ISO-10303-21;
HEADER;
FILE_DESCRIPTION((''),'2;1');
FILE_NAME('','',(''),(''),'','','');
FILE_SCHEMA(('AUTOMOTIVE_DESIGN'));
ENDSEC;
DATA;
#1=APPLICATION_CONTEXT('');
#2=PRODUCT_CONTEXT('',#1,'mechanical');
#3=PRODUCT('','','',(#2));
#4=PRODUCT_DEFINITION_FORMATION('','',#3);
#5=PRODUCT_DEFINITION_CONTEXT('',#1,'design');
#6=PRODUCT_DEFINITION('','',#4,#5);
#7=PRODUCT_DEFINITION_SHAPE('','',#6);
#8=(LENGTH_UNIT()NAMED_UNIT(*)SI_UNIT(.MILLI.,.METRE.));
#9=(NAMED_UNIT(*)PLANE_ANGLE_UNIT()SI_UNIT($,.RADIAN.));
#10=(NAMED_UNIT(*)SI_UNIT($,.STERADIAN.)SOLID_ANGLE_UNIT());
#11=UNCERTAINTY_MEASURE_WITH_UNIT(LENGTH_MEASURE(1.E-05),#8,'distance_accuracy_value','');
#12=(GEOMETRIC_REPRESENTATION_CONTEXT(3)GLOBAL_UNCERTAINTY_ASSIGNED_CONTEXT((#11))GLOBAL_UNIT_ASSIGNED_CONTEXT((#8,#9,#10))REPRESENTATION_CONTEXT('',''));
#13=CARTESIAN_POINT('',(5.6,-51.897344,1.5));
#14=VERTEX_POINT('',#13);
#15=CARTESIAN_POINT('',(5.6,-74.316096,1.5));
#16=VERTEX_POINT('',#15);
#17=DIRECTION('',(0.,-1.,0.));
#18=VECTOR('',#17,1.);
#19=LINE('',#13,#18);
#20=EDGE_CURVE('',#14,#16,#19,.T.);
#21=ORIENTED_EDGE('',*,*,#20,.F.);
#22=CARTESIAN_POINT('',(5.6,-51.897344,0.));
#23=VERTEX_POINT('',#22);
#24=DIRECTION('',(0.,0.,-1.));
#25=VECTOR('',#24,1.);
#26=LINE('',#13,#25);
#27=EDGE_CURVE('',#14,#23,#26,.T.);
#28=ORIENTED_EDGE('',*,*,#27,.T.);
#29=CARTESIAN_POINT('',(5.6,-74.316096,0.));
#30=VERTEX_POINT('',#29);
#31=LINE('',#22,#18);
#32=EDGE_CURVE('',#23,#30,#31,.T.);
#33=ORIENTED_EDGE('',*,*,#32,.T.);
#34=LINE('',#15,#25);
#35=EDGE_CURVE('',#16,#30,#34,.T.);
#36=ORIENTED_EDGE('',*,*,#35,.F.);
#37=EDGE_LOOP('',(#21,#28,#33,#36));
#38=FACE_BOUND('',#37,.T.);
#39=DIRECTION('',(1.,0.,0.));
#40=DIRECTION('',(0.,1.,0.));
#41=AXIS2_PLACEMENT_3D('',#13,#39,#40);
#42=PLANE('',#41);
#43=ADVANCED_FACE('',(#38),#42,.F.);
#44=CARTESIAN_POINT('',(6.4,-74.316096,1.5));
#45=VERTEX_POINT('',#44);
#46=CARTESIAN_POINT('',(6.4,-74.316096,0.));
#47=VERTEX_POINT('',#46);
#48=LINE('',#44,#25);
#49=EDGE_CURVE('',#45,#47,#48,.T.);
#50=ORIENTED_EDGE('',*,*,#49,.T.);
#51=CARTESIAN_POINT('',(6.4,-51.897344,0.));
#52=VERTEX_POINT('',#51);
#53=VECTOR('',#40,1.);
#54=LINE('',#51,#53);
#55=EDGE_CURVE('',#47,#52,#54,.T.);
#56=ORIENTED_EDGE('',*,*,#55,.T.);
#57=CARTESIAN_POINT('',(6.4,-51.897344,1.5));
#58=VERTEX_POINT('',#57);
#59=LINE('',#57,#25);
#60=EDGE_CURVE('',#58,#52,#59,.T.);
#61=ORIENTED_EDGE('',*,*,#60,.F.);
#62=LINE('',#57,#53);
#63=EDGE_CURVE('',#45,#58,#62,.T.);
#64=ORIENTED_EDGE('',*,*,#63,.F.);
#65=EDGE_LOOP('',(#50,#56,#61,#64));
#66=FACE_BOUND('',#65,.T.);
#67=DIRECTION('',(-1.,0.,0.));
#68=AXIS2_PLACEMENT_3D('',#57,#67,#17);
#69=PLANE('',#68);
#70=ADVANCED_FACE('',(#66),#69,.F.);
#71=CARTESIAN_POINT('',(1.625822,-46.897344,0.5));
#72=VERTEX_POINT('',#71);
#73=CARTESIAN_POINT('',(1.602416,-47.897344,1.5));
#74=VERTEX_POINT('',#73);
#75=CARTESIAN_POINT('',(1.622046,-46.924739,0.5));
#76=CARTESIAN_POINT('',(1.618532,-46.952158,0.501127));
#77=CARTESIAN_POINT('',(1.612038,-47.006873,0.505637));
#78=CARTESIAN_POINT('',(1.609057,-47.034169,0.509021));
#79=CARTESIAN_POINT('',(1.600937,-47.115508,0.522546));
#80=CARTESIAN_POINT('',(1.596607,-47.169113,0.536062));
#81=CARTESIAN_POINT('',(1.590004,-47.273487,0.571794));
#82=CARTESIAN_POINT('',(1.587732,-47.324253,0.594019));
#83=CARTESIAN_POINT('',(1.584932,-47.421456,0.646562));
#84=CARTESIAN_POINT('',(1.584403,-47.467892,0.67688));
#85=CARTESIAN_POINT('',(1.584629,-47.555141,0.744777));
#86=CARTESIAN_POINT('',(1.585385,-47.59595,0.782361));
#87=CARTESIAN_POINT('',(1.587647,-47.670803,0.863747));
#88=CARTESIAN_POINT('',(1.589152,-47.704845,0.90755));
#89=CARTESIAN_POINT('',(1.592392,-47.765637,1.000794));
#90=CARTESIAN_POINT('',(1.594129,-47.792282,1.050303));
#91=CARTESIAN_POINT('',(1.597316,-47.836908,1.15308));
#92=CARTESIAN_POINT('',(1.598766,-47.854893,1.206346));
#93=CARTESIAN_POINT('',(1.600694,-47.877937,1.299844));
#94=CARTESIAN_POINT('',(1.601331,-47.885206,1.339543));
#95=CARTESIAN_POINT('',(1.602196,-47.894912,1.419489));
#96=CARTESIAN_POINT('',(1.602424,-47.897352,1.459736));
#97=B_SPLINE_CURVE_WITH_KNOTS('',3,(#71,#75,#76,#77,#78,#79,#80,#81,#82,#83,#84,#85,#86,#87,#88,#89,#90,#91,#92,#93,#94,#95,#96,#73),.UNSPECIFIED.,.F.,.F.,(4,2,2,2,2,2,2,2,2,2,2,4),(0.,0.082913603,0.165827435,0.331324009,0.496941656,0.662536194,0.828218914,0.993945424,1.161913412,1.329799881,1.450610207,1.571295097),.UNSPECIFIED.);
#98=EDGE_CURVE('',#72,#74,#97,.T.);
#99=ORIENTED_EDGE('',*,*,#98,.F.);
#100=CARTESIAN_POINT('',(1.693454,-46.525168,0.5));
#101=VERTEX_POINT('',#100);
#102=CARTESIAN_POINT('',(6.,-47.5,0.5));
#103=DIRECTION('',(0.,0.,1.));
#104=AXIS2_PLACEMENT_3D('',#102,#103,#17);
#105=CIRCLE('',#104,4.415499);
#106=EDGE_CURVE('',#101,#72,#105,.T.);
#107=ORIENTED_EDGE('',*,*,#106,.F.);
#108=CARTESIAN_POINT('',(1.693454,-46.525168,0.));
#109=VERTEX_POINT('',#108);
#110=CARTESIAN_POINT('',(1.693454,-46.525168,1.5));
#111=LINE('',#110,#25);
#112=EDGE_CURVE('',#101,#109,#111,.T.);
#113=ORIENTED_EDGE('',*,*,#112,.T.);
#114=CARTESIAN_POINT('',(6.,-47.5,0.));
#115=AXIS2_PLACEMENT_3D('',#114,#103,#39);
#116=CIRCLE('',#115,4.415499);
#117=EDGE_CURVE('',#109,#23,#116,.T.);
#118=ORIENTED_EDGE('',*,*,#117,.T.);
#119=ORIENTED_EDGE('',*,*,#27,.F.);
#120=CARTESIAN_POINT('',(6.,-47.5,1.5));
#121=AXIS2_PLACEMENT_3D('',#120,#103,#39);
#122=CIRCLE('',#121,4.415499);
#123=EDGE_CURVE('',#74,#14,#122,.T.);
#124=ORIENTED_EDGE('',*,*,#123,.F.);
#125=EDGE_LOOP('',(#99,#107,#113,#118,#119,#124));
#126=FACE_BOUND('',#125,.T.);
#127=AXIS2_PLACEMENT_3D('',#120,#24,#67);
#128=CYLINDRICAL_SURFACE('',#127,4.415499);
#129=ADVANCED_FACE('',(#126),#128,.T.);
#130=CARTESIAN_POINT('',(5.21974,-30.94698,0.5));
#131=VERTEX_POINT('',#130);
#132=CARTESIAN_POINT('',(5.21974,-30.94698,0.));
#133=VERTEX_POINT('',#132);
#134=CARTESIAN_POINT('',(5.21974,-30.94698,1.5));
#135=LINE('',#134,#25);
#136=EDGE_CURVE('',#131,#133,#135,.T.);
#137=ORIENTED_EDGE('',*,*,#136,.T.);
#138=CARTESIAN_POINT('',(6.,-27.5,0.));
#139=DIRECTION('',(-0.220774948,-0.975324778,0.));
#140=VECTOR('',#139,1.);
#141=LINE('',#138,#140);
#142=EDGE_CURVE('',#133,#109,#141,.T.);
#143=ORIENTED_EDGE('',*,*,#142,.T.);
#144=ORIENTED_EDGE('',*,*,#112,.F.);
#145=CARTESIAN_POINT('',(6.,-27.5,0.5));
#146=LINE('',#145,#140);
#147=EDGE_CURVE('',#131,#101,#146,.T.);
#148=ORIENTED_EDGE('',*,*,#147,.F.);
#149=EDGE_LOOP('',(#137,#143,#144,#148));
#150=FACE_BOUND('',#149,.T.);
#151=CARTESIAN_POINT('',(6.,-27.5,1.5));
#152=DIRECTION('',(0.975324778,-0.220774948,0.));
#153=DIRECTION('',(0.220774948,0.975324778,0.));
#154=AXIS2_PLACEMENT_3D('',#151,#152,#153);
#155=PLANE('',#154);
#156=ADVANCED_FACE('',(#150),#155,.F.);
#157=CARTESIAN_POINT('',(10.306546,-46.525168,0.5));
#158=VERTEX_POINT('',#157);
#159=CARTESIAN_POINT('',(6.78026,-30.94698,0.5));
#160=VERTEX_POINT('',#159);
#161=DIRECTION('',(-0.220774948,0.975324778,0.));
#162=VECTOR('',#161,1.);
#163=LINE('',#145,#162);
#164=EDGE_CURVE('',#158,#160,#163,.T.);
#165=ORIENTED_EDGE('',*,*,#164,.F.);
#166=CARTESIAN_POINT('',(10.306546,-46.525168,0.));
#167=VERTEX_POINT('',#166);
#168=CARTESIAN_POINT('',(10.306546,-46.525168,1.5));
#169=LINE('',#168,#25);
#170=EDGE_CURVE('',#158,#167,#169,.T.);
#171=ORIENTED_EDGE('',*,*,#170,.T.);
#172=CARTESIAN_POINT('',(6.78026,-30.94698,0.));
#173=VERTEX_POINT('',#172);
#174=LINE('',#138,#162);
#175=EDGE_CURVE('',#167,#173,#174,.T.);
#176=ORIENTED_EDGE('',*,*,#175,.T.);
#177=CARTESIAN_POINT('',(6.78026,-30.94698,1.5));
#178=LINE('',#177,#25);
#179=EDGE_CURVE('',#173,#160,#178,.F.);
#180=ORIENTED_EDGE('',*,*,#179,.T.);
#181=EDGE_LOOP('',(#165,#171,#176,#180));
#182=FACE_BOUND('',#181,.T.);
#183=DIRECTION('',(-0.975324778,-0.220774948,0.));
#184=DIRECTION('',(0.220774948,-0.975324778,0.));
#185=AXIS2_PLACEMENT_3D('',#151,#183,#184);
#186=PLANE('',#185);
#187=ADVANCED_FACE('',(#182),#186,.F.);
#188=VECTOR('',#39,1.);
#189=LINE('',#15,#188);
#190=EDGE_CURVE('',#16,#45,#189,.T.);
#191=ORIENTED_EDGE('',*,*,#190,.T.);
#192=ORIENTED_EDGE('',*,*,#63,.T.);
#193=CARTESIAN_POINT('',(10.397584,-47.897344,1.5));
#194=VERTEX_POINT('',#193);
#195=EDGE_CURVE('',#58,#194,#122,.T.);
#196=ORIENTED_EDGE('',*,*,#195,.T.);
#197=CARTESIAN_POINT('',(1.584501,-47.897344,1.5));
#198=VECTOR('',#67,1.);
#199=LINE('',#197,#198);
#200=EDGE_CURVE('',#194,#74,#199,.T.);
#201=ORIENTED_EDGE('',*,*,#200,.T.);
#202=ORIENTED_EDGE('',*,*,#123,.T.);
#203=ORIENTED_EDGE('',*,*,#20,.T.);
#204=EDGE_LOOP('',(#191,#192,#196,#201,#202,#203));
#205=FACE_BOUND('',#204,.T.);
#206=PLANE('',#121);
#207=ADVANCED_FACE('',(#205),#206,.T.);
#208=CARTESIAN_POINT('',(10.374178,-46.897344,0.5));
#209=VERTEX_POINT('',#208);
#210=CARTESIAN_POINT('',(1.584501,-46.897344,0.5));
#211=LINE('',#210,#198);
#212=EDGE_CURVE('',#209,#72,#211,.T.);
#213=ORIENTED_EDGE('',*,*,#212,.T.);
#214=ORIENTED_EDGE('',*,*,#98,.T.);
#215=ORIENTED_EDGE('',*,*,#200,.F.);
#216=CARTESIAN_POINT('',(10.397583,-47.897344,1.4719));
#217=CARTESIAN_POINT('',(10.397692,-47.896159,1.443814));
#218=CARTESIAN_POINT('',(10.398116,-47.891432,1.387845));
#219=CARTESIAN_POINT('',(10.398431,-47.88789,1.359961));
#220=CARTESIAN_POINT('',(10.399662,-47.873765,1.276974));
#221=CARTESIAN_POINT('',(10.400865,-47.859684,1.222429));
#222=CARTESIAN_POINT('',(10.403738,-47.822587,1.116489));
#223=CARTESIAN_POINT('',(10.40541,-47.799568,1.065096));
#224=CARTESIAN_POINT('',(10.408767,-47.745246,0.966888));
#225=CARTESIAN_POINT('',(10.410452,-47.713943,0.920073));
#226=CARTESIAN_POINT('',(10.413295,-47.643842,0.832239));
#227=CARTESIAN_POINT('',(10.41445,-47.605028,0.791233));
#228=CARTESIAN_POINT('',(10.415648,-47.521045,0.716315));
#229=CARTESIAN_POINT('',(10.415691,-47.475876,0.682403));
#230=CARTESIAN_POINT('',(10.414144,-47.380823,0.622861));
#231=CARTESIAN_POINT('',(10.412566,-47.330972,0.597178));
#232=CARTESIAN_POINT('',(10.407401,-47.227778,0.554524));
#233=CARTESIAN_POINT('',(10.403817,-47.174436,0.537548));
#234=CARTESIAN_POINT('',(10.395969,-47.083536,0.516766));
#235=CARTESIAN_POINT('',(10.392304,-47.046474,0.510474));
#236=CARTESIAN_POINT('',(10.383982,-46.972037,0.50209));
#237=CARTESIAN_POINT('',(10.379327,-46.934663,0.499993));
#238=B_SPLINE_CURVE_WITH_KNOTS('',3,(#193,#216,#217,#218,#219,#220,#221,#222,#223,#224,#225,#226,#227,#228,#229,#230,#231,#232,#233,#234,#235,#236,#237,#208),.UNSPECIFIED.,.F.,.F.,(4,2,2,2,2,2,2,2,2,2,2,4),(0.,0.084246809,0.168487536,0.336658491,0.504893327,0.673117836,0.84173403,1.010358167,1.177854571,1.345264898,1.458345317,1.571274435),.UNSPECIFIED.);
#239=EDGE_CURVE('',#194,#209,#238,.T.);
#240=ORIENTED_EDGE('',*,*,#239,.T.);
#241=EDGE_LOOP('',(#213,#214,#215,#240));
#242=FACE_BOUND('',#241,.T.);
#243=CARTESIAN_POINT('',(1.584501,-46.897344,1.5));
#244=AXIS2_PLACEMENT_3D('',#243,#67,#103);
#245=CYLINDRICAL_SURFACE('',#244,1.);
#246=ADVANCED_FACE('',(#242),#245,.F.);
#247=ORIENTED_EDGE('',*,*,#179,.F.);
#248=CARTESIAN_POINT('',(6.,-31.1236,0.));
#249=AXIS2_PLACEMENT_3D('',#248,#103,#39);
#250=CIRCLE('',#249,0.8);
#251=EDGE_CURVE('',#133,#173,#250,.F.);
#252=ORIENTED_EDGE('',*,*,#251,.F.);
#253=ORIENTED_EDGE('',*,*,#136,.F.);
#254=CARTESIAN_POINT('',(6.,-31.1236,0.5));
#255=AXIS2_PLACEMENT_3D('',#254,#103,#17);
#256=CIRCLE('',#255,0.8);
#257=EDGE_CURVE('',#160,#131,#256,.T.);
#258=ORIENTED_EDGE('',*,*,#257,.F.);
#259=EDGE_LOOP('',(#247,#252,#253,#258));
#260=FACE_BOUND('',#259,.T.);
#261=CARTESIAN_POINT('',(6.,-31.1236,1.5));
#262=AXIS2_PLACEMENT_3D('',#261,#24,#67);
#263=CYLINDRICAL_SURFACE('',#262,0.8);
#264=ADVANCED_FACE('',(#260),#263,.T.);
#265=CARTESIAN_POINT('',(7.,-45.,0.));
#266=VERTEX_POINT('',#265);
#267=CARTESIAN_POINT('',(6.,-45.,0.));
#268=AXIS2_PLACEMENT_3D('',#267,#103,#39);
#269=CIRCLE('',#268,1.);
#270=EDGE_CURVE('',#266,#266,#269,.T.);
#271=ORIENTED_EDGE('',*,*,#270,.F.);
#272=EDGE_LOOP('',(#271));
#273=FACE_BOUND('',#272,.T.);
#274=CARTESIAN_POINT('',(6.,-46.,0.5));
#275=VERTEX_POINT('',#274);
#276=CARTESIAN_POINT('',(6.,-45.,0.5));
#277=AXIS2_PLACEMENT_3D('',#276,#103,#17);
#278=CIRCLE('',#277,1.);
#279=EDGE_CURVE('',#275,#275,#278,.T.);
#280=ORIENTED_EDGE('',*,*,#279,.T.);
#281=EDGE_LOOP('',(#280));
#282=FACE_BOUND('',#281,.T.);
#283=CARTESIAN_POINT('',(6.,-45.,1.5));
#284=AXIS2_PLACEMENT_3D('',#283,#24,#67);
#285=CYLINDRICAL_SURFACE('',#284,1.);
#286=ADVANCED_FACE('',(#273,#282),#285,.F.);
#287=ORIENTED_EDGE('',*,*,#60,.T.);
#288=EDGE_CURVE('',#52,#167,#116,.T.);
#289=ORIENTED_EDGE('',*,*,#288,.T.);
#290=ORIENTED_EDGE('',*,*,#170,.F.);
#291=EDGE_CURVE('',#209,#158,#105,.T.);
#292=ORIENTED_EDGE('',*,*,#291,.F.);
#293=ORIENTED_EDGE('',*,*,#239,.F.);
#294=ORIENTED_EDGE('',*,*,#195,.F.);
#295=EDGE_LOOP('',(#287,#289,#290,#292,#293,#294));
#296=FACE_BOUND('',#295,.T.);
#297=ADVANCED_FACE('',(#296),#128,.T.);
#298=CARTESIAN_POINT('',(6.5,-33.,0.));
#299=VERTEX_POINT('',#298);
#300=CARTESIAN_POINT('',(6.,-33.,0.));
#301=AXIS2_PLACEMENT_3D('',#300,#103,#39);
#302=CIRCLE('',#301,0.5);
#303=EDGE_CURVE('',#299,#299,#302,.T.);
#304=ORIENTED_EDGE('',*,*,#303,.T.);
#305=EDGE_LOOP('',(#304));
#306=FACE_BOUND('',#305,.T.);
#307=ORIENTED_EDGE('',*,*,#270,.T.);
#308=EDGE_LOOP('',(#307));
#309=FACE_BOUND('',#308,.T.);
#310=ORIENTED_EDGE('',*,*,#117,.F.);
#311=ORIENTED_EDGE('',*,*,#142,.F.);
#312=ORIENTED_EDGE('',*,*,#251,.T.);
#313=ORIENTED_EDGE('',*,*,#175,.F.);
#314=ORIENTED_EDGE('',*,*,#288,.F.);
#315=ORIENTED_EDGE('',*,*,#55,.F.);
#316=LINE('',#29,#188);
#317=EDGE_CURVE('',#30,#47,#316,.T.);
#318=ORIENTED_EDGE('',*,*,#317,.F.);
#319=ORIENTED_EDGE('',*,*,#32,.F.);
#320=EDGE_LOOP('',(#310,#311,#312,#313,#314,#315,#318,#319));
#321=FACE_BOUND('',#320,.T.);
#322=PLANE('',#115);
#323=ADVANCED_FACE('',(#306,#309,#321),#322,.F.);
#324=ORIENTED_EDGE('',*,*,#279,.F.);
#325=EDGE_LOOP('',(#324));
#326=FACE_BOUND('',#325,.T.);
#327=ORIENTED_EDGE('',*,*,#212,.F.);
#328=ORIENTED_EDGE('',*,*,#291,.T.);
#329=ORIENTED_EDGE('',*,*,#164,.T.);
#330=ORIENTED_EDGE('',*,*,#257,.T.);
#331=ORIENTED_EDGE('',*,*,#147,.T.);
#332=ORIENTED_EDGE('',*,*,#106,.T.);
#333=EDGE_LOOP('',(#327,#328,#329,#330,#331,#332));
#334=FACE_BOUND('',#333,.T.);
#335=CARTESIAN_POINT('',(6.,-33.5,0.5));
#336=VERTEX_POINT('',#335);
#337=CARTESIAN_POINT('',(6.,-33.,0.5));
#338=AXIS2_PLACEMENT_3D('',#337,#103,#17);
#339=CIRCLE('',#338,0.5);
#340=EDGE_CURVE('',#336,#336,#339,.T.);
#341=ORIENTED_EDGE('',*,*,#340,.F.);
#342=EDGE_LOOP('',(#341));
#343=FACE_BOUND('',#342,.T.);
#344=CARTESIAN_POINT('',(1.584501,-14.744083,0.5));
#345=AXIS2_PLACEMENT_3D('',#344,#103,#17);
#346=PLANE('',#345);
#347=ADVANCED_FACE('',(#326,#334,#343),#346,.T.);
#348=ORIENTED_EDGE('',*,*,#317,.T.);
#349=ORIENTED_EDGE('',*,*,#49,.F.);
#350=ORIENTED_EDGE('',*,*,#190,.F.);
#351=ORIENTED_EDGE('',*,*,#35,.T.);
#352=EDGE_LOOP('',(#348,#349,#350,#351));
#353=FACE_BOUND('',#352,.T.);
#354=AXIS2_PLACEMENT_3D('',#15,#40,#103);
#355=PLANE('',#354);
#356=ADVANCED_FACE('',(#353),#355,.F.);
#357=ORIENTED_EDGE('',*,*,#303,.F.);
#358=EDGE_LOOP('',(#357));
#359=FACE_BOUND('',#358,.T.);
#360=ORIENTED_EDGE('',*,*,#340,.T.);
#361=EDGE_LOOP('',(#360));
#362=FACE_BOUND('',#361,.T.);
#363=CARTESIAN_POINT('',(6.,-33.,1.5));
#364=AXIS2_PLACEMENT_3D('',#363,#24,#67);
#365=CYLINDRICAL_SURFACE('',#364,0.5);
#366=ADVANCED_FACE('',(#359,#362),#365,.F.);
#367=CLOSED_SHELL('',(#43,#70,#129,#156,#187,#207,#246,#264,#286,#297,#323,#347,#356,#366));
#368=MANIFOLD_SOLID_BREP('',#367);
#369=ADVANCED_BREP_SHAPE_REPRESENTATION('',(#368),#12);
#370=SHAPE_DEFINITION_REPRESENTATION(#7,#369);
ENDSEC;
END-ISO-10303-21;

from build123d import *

# Parameters (mm, degrees)
SKETCH1_R               = 0.5
SKETCH1_R_2             = 1
BOSS_EXTRUDE1_DEPTH     = 1.5
CUT_EXTRUDE1_DEPTH      = 11.41549897
CUT_EXTRUDE1_DEPTH_BACK = 1
FILLET1_R               = 0.8


with BuildPart() as part:
    # Sketch1 → Boss-Extrude1 (new body)
    with BuildSketch(Plane.XY):
        with BuildLine():
            Line((6, -27.5), (1.693454448, -46.525168442))
            ThreePointArc((1.693454448, -46.525168442), (2.428871416, -50.096858061), (5.6, -51.897343647))
            Line((5.6, -51.897343647), (5.6, -74.316095527))
            Line((5.6, -74.316095527), (6.4, -74.316095527))
            Line((6.4, -74.316095527), (6.4, -51.897343647))
            ThreePointArc((6.4, -51.897343647), (9.571128584, -50.096858061), (10.306545552, -46.525168442))
            Line((10.306545552, -46.525168442), (6, -27.5))
        make_face()
        with Locations((6, -33)):
            Circle(SKETCH1_R, mode=Mode.SUBTRACT)
        with Locations((6, -45)):
            Circle(SKETCH1_R_2, mode=Mode.SUBTRACT)
    extrude(amount=BOSS_EXTRUDE1_DEPTH)

    # Sketch2 → Cut-Extrude1 (cut, two sides)
    with BuildSketch(Plane(origin=(0, 0, 0), x_dir=(0, 0, -1), z_dir=(1, 0, 0))) as cut_extrude1_sk:
        with BuildLine():
            Line((-1.5, -14.744083324), (-0.5, -14.744083324))
            Line((-0.5, -14.744083324), (-0.5, -46.897343647))
            ThreePointArc((-0.5, -46.897343647), (-0.792893219, -47.604450429), (-1.5, -47.897343647))
            Line((-1.5, -47.897343647), (-1.5, -14.744083324))
        make_face()
    extrude(amount=CUT_EXTRUDE1_DEPTH, mode=Mode.SUBTRACT)
    extrude(cut_extrude1_sk.sketch, amount=-CUT_EXTRUDE1_DEPTH_BACK, mode=Mode.SUBTRACT)

    # Fillet1
    fillet1_edges = [part.edges().sort_by_distance(p)[0] for p in [
        (6, -27.5, 0.25),
    ]]
    fillet(fillet1_edges, radius=FILLET1_R)


solid = part.part
